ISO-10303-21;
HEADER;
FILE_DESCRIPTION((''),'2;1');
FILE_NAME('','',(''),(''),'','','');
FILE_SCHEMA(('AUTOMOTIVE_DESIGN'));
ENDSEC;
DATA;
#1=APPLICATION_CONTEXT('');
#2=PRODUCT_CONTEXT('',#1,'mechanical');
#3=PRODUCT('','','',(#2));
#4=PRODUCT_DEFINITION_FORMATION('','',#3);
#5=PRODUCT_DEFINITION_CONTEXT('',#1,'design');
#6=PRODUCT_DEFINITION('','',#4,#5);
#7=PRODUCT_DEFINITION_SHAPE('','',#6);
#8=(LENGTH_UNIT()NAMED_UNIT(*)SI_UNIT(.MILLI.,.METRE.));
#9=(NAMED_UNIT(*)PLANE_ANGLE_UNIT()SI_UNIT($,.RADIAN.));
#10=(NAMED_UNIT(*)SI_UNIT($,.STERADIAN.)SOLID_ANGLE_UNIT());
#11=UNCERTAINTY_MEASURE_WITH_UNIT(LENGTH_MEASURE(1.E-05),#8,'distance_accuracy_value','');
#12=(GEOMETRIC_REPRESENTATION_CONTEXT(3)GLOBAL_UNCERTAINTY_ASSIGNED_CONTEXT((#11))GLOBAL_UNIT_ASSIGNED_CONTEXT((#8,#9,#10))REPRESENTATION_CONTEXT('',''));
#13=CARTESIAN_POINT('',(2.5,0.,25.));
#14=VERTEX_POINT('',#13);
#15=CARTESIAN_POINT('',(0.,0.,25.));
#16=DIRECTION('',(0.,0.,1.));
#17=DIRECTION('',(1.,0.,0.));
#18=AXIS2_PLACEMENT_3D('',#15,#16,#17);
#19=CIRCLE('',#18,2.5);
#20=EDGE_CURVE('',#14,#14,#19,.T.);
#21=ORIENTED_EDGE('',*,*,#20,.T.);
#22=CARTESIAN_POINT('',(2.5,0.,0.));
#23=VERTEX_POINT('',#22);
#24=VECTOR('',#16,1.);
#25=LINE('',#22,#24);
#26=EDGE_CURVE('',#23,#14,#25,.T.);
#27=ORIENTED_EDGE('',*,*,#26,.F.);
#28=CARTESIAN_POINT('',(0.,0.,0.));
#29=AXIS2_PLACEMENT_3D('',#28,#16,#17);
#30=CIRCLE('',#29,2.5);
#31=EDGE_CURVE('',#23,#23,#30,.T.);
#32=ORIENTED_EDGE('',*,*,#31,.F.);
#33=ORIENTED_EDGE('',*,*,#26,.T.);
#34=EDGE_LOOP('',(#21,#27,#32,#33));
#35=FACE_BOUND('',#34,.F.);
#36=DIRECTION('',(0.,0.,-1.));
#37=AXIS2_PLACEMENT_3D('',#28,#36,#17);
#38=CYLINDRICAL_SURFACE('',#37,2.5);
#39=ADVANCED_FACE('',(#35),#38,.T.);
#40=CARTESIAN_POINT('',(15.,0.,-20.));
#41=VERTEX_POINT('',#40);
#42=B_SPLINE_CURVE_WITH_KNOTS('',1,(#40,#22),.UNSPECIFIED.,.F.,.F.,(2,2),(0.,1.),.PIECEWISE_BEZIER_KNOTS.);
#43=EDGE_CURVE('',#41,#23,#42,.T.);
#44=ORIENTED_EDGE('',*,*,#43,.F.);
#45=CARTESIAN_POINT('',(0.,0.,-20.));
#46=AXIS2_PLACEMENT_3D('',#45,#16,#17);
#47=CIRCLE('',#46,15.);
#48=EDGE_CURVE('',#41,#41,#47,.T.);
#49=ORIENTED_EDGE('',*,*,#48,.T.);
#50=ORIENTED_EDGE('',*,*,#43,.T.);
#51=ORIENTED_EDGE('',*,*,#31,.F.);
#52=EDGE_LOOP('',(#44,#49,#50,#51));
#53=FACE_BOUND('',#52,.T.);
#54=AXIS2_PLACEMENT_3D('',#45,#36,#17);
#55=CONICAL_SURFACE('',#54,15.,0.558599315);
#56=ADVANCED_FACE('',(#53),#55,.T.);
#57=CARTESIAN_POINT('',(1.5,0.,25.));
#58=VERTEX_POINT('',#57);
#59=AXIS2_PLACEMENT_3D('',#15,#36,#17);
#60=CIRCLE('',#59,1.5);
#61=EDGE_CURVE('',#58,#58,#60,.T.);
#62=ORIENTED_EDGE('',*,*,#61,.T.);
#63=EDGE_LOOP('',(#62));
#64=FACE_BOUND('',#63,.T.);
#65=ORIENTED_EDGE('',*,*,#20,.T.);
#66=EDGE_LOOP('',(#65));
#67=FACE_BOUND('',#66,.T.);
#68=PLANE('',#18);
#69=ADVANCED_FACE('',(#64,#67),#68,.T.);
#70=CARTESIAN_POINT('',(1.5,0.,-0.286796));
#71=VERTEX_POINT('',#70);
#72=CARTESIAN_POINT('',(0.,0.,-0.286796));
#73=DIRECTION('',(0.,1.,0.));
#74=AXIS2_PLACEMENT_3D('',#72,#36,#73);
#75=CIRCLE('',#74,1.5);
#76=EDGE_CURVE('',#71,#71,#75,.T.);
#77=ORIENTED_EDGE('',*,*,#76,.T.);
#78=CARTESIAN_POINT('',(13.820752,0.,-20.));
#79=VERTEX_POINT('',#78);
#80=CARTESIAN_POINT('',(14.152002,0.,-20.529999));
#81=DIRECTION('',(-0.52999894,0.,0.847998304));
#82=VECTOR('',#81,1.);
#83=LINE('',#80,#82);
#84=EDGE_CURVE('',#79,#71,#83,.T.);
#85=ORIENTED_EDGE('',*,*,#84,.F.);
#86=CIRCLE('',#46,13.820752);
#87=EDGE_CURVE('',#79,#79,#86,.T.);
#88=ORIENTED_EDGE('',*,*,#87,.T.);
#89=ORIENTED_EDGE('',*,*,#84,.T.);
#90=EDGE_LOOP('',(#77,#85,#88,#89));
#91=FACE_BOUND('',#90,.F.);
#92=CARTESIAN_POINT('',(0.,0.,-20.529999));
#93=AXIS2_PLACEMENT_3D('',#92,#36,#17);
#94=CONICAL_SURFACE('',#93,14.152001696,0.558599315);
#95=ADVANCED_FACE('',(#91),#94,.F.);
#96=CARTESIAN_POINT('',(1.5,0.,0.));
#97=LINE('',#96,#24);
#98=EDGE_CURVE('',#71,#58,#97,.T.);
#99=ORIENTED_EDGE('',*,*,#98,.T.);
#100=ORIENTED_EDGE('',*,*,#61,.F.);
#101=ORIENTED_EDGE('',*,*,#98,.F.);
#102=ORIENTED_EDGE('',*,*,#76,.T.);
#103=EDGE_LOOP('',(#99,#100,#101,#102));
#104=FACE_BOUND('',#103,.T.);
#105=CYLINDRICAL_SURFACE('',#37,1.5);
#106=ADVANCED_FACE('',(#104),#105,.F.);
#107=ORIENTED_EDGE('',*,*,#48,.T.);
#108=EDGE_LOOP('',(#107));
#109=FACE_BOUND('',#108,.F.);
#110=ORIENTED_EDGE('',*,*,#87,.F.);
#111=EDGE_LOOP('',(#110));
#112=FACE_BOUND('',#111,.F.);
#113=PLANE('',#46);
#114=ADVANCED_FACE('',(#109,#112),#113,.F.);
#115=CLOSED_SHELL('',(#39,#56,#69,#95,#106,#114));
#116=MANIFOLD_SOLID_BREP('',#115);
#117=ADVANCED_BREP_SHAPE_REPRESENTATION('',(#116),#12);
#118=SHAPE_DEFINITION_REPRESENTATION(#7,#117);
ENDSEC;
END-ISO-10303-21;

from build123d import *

# Parameters (mm, degrees)
F0_R     = 2.5
F1_DEPTH = 25
F3_R     = 15
F5_T     = -1


with BuildPart() as f1:
    # F0 (on Top) → F1 (new body)
    with BuildSketch(Plane.XY):
        Circle(F0_R)
    extrude(amount=F1_DEPTH)

    # F3 (on offset) → F4 section 0
    with BuildSketch(Plane.XY.offset(-20)):
        Circle(F3_R)
    # F0 (on Top) → F4 section 1
    with BuildSketch(Plane.XY):
        Circle(F0_R)
    loft()

    # F5
    f5_openings = [f1.faces().sort_by_distance(p)[0] for p in [
        (0, 0, 25),
        (0, 0, -20),
    ]]
    offset(amount=F5_T, openings=f5_openings, kind=Kind.INTERSECTION)


solid = f1.part
